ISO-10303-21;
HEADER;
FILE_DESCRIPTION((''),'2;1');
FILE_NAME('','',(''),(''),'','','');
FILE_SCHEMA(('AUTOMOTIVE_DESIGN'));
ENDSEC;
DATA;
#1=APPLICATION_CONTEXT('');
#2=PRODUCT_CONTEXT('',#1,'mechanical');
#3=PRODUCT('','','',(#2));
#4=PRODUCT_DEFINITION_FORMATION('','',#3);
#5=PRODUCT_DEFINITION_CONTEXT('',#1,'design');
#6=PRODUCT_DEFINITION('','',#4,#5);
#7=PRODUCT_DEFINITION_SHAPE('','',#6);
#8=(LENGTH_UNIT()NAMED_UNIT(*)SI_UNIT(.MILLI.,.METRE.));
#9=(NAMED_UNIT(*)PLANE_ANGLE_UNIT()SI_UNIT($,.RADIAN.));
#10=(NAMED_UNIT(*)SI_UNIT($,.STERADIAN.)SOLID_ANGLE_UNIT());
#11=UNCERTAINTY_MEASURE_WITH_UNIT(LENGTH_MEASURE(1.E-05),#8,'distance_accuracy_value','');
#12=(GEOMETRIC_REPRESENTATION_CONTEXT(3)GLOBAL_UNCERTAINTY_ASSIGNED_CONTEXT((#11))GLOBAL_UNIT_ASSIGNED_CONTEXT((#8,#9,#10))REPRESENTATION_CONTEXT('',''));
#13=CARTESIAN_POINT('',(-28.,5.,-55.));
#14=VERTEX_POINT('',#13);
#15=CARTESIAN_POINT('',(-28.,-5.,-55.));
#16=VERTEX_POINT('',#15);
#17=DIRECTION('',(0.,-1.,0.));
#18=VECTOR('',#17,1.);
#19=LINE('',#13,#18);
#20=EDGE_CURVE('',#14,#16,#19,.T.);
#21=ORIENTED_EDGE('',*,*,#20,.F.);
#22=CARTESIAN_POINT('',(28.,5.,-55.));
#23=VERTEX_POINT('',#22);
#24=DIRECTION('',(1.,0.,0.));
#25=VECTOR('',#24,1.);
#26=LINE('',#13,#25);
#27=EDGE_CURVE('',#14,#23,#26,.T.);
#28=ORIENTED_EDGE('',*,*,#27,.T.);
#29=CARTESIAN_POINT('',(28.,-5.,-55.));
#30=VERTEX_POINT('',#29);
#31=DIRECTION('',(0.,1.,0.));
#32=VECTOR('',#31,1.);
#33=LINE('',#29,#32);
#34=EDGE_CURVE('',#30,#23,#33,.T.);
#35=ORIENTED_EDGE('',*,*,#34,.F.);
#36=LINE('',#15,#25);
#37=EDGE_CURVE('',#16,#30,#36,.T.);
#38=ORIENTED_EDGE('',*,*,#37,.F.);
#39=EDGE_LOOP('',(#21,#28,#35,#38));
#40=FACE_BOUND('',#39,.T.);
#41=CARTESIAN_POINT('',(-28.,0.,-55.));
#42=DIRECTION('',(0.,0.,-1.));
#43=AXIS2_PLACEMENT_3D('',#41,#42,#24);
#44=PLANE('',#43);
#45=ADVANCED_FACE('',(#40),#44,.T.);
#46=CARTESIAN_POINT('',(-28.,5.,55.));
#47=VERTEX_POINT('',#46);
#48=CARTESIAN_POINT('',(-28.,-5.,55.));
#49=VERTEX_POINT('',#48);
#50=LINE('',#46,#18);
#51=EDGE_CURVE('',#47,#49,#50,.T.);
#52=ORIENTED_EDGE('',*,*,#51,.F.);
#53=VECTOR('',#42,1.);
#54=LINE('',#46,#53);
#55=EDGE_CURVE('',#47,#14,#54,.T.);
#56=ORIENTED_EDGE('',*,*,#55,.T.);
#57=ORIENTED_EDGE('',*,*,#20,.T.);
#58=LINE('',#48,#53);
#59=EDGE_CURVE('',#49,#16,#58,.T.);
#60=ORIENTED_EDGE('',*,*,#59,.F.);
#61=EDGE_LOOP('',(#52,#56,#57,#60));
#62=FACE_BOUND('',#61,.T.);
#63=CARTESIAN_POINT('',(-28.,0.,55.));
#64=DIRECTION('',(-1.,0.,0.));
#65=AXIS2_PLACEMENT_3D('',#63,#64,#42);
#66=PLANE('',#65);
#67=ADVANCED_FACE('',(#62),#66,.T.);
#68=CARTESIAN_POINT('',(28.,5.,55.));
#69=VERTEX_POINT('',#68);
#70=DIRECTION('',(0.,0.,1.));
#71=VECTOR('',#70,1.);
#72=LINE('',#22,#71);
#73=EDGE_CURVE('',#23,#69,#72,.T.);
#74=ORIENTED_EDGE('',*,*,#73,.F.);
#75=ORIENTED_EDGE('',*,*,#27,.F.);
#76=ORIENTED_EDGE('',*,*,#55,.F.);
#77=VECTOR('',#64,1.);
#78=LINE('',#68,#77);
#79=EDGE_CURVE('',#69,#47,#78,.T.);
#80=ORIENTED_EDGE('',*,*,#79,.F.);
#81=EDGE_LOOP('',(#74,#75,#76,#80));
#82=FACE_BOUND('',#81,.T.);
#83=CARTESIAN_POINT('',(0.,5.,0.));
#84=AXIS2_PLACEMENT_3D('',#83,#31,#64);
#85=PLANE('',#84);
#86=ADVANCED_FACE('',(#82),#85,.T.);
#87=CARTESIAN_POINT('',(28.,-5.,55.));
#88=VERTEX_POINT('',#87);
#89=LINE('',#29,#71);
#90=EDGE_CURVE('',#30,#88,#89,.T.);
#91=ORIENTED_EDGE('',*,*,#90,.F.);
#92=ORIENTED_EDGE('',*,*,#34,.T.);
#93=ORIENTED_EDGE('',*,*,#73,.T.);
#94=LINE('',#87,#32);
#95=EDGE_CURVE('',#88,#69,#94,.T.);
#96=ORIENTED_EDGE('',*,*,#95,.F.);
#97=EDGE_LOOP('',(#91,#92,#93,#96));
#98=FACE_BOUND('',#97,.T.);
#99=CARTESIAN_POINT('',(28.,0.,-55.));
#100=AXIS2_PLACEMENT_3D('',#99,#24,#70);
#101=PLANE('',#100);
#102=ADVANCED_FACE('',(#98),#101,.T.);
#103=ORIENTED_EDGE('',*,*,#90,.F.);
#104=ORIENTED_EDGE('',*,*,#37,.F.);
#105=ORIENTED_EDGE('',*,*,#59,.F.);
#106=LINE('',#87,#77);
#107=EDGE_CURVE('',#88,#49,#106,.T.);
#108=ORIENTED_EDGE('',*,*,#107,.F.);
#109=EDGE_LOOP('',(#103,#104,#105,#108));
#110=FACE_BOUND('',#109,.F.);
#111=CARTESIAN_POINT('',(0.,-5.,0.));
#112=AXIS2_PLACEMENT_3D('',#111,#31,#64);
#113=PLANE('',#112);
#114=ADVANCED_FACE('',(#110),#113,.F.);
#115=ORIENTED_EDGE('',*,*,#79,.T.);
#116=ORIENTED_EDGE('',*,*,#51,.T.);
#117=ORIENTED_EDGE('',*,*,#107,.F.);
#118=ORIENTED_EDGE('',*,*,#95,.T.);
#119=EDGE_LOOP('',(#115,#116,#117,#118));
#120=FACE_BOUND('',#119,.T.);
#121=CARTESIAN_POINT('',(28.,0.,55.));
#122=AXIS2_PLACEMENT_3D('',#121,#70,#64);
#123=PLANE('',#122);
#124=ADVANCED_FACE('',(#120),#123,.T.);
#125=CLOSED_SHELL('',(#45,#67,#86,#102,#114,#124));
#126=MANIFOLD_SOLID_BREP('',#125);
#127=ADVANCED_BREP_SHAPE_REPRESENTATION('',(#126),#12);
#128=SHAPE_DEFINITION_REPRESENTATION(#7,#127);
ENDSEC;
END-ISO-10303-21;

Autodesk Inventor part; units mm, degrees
ref_plane "YZ Plane" through (0, 0, 0) normal (1, 0, 0) x (0, 1, 0)
ref_plane "XZ Plane" through (0, 0, 0) normal (0, 1, 0) x (-1, 0, 0)
ref_plane "XY Plane" through (0, 0, 0) normal (0, 0, 1) x (1, 0, 0)
sketch "Sketch1" plane through (0, 0, 0) normal (0, 1, 0) x (-1, 0, 0)
  line L0 (-28, 55) -> (28, 55)
  line L1 (28, 55) -> (28, -55)
  line L2 (28, -55) -> (-28, -55)
  line L3 (-28, -55) -> (-28, 55)
  line L4 (-28, 55) -> (28, -55) construction
  line L5 (28, 55) -> (-28, -55) construction
  point P0 (0, 0)
  dimension "d0" = 56
  dimension "d1" = 110
extrude "Extrusion1" add sketch "Sketch1" along normal mid plane 10
properties part number "prueba"
